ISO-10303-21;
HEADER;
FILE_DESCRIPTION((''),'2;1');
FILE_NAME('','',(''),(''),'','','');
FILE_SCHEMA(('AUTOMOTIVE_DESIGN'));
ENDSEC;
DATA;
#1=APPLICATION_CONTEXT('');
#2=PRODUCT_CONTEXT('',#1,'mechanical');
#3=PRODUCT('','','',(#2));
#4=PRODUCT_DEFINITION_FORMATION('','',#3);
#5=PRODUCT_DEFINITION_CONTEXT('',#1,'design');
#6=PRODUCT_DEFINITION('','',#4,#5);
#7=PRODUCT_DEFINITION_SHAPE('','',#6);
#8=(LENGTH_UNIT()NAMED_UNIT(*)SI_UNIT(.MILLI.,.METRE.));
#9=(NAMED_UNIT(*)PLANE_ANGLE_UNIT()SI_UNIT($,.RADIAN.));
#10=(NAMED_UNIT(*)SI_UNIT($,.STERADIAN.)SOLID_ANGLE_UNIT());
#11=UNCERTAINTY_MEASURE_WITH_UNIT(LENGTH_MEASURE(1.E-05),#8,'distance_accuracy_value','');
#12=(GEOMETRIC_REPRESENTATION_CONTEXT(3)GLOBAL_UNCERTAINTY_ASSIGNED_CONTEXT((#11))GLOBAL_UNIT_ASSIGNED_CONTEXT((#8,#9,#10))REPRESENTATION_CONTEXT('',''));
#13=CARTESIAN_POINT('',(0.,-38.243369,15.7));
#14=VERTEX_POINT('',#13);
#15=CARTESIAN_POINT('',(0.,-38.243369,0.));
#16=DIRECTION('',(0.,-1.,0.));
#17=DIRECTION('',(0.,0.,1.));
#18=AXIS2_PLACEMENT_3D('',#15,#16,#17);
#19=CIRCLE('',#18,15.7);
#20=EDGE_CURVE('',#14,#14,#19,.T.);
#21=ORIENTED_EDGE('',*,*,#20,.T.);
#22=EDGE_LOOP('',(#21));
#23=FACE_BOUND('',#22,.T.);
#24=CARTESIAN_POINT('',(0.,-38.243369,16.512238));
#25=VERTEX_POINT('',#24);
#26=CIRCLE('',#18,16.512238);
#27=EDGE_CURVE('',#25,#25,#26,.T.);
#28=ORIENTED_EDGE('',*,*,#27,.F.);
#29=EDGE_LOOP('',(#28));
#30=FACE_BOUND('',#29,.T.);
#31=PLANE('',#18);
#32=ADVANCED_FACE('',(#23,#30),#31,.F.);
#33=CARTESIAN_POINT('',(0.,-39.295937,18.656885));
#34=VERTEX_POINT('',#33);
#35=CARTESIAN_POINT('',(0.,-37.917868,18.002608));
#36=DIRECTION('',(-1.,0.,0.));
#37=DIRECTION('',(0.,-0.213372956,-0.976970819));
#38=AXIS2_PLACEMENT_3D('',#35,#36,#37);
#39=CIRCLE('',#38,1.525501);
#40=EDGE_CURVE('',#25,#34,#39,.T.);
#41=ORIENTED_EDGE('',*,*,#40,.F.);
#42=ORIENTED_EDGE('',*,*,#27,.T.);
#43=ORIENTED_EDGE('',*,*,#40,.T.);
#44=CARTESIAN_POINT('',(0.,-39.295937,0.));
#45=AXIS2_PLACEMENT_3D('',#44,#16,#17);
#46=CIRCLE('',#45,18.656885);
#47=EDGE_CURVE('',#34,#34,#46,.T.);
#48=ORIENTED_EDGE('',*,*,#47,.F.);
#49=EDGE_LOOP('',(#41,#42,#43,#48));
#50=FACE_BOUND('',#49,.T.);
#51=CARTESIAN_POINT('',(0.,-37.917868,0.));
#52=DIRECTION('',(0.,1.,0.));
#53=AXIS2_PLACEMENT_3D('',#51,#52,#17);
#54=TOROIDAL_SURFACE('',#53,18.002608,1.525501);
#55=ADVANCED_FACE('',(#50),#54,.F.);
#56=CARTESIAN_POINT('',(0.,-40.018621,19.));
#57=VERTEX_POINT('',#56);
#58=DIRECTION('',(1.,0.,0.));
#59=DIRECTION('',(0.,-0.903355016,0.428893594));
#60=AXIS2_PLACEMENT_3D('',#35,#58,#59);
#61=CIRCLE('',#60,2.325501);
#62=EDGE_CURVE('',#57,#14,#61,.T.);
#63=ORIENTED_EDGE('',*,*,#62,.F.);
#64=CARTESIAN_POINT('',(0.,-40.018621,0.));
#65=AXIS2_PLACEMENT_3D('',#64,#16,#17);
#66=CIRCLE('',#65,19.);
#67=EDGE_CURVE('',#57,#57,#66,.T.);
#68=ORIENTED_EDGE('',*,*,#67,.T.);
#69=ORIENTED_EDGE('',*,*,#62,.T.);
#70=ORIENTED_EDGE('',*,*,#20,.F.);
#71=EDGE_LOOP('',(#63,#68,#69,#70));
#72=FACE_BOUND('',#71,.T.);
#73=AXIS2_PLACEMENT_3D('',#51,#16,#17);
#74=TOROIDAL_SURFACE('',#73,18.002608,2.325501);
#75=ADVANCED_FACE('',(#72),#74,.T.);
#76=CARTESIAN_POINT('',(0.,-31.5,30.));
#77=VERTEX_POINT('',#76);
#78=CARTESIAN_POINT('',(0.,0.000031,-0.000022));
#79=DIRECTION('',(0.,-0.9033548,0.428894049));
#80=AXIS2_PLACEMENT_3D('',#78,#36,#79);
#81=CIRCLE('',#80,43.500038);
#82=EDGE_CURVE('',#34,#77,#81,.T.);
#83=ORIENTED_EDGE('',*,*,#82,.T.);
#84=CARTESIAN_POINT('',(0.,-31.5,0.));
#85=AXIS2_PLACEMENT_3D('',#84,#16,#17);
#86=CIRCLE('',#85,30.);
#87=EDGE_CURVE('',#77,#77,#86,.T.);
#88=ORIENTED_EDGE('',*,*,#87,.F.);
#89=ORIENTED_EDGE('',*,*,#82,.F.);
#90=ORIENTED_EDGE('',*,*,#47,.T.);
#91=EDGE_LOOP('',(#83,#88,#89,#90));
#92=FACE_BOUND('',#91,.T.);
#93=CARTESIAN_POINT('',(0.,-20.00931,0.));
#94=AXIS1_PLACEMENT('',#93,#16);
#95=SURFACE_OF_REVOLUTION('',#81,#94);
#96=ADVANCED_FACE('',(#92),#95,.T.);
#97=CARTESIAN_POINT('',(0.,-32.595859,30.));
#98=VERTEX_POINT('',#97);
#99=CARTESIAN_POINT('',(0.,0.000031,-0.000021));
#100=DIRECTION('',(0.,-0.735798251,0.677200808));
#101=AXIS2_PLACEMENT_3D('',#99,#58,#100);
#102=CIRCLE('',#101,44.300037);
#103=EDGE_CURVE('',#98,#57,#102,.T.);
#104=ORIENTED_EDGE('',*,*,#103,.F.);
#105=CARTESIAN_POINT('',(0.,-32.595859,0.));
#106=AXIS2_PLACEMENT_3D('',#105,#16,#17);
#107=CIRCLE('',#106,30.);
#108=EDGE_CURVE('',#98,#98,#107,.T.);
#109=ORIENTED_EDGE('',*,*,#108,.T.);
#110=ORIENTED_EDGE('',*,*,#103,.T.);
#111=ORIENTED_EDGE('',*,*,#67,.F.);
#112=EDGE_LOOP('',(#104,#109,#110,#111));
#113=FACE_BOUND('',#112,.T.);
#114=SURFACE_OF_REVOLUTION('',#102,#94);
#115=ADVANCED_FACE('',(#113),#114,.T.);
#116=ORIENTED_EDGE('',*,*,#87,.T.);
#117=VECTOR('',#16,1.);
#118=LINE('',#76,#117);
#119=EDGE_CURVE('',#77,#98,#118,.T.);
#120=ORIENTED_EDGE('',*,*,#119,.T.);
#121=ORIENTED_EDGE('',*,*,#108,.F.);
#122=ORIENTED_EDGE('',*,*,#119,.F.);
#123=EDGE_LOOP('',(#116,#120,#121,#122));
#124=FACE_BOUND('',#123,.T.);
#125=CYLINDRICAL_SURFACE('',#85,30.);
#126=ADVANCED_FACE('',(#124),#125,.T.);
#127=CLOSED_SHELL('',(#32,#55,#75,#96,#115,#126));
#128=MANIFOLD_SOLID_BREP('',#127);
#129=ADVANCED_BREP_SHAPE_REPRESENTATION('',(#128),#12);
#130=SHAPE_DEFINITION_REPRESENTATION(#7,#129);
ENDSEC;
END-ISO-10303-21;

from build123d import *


with BuildPart() as f1:
    # F0 (on Right) → F1 (revolve)
    with BuildSketch(Plane.YZ):
        with BuildLine():
            ThreePointArc((-39.295937, 18.656885), (-35.849445, 24.638735), (-31.5, 30))
            Line((-31.5, 30), (-32.595859, 30))
            ThreePointArc((-32.595859, 30), (-36.72146, 24.779515), (-40.018621, 19))
            ThreePointArc((-40.018621, 19), (-39.965837, 16.900892), (-38.243369, 15.7))
            Line((-38.243369, 15.7), (-38.243369, 16.512238))
            ThreePointArc((-38.243369, 16.512238), (-39.287326, 17.330493), (-39.295937, 18.656885))
        make_face()
    revolve(axis=Axis((0, -20.00931, 0), (0, -1, 0)))


solid = f1.part
